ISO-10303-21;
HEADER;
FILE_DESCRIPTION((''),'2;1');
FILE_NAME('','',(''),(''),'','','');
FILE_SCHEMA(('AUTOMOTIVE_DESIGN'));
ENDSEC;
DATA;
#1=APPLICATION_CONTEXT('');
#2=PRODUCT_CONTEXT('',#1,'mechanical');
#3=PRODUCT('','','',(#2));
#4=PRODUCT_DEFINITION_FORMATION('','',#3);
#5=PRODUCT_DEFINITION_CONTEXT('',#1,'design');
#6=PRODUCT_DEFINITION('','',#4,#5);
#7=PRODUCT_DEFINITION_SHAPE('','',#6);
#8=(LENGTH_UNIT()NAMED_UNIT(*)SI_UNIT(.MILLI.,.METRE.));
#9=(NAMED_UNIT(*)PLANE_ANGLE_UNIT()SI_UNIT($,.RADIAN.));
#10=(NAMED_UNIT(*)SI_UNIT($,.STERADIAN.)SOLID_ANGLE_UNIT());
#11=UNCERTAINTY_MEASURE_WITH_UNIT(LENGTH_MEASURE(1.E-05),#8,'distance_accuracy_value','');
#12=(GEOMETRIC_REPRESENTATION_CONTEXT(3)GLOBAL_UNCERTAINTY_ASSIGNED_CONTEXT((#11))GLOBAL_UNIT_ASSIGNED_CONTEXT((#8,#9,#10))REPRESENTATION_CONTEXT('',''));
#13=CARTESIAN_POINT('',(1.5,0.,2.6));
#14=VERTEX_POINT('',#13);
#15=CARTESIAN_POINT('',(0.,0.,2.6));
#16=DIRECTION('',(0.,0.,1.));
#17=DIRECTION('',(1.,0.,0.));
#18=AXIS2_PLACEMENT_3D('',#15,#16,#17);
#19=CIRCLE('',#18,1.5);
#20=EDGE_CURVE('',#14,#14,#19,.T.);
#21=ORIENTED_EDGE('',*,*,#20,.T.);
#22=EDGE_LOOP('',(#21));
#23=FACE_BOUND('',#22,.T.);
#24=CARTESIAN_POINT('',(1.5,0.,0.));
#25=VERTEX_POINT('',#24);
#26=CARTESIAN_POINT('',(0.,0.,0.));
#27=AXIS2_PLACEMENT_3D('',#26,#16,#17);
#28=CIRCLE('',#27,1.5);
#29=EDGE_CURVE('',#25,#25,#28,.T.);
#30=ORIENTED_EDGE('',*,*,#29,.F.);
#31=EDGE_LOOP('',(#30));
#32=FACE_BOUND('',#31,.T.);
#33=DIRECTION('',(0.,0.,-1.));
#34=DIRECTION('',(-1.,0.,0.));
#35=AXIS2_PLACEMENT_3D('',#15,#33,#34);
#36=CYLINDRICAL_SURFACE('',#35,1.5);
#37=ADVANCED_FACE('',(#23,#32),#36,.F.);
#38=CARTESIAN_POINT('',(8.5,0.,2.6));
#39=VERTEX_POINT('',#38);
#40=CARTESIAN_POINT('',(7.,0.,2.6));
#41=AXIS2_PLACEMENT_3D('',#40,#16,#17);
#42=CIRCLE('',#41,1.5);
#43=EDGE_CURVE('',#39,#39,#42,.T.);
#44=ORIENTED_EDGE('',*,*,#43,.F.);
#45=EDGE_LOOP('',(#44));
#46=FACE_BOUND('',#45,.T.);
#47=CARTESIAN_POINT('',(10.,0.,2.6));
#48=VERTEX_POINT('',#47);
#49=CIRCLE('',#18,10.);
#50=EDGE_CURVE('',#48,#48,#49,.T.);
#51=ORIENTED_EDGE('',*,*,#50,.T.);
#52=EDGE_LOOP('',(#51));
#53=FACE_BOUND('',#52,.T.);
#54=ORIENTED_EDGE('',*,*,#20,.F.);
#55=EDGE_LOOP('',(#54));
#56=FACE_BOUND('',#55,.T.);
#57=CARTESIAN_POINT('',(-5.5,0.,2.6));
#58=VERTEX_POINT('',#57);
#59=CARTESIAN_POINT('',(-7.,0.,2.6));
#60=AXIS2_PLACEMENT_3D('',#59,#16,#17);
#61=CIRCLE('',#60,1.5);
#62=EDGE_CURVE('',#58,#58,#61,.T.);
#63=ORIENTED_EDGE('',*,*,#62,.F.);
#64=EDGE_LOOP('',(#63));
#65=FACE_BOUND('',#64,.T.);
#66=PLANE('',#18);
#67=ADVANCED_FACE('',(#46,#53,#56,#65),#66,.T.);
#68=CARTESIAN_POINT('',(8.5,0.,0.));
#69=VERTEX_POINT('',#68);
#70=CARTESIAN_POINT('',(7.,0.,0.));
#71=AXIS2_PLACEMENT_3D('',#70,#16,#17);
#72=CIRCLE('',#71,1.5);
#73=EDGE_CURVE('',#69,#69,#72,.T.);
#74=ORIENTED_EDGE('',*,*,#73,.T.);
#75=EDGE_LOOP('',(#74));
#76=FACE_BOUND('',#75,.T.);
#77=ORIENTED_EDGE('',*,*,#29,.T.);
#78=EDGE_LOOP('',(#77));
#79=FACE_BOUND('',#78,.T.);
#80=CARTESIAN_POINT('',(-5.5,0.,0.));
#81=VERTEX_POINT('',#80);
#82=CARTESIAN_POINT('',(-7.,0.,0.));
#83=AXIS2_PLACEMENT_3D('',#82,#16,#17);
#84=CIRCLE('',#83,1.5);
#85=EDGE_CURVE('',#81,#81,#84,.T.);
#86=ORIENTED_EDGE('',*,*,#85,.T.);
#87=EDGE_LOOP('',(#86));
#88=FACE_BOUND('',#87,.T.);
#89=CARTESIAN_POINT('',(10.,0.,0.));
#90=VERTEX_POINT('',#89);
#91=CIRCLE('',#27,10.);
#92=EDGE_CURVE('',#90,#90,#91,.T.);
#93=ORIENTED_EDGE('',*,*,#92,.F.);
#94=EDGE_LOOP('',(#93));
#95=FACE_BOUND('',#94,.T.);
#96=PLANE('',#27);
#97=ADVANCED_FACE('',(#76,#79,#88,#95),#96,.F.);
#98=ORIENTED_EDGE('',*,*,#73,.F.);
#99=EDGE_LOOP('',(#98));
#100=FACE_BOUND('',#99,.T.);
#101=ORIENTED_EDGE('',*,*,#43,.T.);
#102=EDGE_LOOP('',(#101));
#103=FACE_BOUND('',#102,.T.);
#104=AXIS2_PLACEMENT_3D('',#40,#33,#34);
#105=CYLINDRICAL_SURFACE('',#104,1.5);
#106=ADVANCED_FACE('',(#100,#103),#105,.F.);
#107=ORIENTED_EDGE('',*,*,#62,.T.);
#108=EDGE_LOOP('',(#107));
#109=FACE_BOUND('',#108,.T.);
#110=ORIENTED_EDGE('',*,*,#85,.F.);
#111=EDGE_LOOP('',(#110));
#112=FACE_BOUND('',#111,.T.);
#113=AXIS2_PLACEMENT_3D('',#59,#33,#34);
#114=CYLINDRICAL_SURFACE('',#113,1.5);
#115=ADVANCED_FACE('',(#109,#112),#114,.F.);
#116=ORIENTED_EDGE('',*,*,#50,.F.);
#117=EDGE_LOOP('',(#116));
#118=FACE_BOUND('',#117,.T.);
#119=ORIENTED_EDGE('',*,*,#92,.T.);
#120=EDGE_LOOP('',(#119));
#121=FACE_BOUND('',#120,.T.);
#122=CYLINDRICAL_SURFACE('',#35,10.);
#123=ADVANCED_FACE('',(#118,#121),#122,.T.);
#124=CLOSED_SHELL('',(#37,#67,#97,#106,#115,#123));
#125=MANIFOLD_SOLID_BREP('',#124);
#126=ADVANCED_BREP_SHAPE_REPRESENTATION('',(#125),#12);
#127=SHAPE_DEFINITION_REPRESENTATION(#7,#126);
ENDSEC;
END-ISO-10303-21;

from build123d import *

# Parameters (mm, degrees)
SKETCH1_R           = 10
SKETCH1_R_2         = 1.5
BOSS_EXTRUDE1_DEPTH = 2.6


with BuildPart() as part:
    # Sketch1 → Boss-Extrude1 (new body)
    with BuildSketch(Plane.XY):
        Circle(SKETCH1_R)
        Circle(SKETCH1_R_2, mode=Mode.SUBTRACT)
        with Locations((7, 0)):
            Circle(SKETCH1_R_2, mode=Mode.SUBTRACT)
        with Locations((-7, 0)):
            Circle(SKETCH1_R_2, mode=Mode.SUBTRACT)
    extrude(amount=BOSS_EXTRUDE1_DEPTH)


solid = part.part
